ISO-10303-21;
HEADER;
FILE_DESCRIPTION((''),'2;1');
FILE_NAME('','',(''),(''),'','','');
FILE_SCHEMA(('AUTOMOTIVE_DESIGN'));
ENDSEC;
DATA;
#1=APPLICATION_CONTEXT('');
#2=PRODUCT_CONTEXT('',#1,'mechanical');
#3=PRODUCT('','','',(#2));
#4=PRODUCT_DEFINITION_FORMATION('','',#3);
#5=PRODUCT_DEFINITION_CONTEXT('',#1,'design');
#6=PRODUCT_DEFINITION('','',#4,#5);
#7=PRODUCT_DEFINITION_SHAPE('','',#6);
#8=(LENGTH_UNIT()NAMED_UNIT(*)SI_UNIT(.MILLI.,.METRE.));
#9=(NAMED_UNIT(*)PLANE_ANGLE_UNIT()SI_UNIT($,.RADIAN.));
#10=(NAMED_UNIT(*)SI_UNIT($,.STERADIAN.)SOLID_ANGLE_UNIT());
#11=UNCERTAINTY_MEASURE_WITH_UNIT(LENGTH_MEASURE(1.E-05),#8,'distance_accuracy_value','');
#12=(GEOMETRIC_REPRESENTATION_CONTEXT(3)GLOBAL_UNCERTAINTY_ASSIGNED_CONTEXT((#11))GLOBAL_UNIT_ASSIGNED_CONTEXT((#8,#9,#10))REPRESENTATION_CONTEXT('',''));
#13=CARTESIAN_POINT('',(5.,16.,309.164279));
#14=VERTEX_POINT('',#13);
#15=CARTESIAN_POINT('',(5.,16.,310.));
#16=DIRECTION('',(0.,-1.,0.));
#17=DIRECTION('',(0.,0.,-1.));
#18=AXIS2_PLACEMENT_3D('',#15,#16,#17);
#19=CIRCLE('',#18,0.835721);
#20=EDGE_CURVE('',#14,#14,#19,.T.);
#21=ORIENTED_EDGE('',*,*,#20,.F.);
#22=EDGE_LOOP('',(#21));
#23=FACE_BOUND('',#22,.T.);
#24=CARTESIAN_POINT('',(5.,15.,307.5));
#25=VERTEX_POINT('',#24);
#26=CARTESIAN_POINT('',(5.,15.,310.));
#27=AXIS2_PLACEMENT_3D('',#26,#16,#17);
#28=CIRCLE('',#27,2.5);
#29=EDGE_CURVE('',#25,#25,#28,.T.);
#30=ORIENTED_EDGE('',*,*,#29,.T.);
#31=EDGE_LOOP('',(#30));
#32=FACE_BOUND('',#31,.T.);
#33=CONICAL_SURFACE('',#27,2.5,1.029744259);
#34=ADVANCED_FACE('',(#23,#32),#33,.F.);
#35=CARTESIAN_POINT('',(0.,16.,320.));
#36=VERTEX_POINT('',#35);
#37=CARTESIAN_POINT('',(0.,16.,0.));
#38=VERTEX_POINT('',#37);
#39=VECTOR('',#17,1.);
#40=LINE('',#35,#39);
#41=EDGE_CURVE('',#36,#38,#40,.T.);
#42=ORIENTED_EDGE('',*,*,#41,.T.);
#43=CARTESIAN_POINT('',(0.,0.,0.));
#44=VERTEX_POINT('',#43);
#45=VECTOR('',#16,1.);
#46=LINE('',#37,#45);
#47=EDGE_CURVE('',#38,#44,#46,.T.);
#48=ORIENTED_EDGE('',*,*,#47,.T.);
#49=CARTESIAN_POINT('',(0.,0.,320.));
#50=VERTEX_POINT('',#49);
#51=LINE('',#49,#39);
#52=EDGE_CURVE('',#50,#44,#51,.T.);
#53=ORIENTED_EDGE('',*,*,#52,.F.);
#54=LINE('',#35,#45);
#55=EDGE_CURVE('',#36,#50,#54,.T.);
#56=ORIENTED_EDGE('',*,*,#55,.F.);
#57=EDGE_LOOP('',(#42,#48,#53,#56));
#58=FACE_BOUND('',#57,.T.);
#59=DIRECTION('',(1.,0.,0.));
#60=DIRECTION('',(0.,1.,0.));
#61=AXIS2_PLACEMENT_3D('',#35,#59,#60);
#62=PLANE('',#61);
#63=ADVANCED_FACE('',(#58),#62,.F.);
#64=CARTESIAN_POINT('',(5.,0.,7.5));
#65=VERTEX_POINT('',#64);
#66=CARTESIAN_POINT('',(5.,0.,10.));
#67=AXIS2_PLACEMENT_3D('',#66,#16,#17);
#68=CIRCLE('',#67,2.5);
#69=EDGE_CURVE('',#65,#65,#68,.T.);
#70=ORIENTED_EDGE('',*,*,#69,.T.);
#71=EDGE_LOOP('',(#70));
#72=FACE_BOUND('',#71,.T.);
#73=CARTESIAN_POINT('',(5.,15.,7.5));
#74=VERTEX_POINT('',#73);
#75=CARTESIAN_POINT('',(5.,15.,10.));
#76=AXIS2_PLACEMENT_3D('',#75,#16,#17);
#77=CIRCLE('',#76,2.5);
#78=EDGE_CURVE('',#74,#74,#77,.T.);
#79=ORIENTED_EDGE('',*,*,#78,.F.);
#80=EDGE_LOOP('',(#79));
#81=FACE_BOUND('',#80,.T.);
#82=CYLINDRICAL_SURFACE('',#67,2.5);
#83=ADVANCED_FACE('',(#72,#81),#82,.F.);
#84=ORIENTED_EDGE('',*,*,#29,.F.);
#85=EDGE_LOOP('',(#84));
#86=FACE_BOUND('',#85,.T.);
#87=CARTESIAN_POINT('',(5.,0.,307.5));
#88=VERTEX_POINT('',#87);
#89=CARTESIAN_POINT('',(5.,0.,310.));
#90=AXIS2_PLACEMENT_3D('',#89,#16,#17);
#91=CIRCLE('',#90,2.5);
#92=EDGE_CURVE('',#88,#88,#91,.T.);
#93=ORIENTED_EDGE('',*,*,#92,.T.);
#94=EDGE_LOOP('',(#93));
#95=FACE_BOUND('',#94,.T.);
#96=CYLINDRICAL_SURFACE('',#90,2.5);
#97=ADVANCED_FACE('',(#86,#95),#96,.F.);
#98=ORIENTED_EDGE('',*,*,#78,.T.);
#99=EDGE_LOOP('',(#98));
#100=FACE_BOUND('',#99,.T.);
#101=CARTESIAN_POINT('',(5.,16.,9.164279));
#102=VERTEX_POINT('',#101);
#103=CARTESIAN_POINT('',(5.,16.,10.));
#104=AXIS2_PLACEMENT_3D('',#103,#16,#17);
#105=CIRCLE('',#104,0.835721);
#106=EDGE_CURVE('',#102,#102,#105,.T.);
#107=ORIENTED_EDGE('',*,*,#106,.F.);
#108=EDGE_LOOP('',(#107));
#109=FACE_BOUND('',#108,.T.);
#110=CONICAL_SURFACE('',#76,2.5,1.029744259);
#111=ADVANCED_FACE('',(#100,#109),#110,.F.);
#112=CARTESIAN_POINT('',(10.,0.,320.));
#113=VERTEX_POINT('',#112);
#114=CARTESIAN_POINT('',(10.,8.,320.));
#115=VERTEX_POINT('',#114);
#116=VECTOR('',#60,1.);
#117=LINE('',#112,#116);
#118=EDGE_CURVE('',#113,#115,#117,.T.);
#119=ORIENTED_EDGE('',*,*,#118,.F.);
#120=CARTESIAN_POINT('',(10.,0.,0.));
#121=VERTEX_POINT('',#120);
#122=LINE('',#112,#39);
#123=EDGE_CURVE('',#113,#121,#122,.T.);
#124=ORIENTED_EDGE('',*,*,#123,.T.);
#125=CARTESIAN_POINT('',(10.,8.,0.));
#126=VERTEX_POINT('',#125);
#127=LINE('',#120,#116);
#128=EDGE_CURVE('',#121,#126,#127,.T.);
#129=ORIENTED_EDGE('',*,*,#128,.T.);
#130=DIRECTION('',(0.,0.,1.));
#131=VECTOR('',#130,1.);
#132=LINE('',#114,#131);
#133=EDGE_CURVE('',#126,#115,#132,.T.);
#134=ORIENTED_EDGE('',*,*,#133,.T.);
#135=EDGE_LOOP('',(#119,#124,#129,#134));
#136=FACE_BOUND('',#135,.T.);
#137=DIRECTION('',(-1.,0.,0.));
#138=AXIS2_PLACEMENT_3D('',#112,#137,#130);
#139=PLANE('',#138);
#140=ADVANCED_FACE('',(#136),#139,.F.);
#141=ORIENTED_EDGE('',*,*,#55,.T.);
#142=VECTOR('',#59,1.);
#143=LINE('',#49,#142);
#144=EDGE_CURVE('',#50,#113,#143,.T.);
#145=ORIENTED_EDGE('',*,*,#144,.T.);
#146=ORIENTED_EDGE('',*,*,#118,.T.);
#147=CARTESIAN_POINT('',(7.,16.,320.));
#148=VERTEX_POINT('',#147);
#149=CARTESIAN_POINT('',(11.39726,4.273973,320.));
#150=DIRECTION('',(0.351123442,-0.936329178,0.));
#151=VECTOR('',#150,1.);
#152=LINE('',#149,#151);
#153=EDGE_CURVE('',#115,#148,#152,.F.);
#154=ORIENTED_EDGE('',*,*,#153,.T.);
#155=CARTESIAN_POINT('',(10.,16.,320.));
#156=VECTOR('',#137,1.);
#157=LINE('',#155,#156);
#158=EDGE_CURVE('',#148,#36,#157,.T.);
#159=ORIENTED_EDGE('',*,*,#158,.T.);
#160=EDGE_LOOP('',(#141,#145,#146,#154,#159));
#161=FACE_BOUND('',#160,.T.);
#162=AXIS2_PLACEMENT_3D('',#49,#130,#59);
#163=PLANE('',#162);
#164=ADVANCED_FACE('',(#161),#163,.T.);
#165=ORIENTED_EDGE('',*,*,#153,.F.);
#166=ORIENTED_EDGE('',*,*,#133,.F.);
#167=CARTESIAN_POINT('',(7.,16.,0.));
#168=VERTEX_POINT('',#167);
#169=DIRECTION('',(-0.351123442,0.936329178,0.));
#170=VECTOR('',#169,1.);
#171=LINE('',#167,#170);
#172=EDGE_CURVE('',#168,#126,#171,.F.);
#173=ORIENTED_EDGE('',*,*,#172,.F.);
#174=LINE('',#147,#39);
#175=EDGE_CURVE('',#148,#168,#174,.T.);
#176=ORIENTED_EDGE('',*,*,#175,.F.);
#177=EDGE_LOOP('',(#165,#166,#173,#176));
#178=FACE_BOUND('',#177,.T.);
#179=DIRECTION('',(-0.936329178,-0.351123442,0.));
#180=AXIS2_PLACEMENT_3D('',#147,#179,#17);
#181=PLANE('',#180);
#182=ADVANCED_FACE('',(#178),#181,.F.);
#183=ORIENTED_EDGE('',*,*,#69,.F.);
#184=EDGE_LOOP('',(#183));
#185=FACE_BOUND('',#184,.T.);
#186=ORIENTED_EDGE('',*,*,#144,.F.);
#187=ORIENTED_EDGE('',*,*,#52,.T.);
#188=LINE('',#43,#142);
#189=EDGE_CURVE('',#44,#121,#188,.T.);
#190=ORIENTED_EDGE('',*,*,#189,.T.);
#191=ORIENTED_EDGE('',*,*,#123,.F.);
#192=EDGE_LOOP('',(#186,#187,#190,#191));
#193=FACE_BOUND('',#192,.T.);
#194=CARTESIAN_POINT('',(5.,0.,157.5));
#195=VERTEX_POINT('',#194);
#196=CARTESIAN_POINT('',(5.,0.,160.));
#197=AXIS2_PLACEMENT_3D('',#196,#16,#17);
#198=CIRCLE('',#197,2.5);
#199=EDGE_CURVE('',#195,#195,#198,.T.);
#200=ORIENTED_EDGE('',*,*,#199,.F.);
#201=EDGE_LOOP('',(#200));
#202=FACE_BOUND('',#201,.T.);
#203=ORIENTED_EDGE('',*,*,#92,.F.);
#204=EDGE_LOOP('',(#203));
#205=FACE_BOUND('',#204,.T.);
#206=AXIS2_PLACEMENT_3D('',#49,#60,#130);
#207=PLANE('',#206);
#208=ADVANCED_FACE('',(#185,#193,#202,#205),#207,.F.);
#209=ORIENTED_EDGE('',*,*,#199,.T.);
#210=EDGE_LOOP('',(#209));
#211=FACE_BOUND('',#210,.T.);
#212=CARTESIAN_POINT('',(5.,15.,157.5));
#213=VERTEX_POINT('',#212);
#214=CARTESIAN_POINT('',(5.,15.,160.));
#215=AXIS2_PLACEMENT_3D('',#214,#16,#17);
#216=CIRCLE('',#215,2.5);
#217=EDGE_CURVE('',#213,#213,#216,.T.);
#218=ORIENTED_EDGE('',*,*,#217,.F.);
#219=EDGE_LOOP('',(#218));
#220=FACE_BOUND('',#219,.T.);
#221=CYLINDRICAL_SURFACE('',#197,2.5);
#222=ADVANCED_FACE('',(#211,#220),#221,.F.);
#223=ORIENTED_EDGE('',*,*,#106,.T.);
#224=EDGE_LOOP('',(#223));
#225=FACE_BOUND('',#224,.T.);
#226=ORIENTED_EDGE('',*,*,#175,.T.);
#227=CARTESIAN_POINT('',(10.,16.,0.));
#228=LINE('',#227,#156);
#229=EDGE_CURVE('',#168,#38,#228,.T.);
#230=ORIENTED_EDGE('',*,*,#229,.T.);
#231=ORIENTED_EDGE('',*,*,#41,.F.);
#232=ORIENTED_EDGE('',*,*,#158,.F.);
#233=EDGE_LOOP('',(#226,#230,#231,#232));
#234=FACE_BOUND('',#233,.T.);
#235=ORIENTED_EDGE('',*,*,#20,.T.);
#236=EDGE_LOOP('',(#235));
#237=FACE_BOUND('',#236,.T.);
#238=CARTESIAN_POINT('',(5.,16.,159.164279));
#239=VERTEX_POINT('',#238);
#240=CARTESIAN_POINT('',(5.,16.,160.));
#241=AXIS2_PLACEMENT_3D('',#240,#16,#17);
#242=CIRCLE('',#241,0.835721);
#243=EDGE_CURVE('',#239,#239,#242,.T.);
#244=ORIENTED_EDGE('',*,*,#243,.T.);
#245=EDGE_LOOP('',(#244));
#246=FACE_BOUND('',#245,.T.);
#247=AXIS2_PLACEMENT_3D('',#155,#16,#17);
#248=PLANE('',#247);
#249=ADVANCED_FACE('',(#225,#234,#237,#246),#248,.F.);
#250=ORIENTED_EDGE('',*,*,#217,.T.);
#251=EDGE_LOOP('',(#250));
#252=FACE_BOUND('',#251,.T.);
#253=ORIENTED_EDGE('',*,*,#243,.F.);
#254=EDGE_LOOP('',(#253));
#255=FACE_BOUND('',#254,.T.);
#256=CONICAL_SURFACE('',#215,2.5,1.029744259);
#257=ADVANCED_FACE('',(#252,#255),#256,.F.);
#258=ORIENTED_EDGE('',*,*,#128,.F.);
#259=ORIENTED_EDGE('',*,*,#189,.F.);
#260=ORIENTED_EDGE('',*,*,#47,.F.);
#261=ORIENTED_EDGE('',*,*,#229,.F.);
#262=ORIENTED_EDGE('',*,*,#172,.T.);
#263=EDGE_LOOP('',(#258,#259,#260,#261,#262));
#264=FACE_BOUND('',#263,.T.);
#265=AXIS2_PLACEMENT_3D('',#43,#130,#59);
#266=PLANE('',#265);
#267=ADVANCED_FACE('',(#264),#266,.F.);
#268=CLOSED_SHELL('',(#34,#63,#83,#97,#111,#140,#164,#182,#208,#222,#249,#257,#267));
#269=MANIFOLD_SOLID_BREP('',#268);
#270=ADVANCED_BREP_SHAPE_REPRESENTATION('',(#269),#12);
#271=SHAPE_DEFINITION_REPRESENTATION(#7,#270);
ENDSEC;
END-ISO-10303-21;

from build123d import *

# Parameters (mm, degrees)
SKETCH_1_W             = 10
SKETCH_1_H             = 16
EXTRUDE_1_DEPTH        = 320
HOLE_WIZARD_M6_1_D     = 5
HOLE_WIZARD_M6_1_DEPTH = 15
HOLE_WIZARD_M6_1_TIP   = 1.502151548
CHAMFER_1_SIZE         = 8
CHAMFER_1_SIZE2        = 3


with BuildPart() as part:
    # 草图1 → 凸台-拉伸1 (new body)
    with BuildSketch(Plane.XY):
        with Locations((5, 8)):
            Rectangle(SKETCH_1_W, SKETCH_1_H)
    extrude(amount=EXTRUDE_1_DEPTH)

    # M6 螺纹孔1
    with Locations(Plane(origin=(5, 0, 310), x_dir=(0, 0, -1), z_dir=(0, -1, 0))):
        with Locations((0, 0), (150, 0), (300, 0)):
            Hole(HOLE_WIZARD_M6_1_D / 2, depth=HOLE_WIZARD_M6_1_DEPTH)
            with Locations((0, 0, -(HOLE_WIZARD_M6_1_DEPTH + HOLE_WIZARD_M6_1_TIP / 2))):  # 118° drill point
                Cone(0, HOLE_WIZARD_M6_1_D / 2, HOLE_WIZARD_M6_1_TIP, mode=Mode.SUBTRACT)

    # 倒角1
    chamfer_1_edges = [part.edges().sort_by_distance(p)[0] for p in [
        (10, 16, 160),
    ]]
    chamfer_1_side = [part.faces().sort_by_distance(p)[0] for p in [
        (10, 8, 160),
    ]]
    chamfer(chamfer_1_edges, length=CHAMFER_1_SIZE, length2=CHAMFER_1_SIZE2, reference=chamfer_1_side[0])


solid = part.part
